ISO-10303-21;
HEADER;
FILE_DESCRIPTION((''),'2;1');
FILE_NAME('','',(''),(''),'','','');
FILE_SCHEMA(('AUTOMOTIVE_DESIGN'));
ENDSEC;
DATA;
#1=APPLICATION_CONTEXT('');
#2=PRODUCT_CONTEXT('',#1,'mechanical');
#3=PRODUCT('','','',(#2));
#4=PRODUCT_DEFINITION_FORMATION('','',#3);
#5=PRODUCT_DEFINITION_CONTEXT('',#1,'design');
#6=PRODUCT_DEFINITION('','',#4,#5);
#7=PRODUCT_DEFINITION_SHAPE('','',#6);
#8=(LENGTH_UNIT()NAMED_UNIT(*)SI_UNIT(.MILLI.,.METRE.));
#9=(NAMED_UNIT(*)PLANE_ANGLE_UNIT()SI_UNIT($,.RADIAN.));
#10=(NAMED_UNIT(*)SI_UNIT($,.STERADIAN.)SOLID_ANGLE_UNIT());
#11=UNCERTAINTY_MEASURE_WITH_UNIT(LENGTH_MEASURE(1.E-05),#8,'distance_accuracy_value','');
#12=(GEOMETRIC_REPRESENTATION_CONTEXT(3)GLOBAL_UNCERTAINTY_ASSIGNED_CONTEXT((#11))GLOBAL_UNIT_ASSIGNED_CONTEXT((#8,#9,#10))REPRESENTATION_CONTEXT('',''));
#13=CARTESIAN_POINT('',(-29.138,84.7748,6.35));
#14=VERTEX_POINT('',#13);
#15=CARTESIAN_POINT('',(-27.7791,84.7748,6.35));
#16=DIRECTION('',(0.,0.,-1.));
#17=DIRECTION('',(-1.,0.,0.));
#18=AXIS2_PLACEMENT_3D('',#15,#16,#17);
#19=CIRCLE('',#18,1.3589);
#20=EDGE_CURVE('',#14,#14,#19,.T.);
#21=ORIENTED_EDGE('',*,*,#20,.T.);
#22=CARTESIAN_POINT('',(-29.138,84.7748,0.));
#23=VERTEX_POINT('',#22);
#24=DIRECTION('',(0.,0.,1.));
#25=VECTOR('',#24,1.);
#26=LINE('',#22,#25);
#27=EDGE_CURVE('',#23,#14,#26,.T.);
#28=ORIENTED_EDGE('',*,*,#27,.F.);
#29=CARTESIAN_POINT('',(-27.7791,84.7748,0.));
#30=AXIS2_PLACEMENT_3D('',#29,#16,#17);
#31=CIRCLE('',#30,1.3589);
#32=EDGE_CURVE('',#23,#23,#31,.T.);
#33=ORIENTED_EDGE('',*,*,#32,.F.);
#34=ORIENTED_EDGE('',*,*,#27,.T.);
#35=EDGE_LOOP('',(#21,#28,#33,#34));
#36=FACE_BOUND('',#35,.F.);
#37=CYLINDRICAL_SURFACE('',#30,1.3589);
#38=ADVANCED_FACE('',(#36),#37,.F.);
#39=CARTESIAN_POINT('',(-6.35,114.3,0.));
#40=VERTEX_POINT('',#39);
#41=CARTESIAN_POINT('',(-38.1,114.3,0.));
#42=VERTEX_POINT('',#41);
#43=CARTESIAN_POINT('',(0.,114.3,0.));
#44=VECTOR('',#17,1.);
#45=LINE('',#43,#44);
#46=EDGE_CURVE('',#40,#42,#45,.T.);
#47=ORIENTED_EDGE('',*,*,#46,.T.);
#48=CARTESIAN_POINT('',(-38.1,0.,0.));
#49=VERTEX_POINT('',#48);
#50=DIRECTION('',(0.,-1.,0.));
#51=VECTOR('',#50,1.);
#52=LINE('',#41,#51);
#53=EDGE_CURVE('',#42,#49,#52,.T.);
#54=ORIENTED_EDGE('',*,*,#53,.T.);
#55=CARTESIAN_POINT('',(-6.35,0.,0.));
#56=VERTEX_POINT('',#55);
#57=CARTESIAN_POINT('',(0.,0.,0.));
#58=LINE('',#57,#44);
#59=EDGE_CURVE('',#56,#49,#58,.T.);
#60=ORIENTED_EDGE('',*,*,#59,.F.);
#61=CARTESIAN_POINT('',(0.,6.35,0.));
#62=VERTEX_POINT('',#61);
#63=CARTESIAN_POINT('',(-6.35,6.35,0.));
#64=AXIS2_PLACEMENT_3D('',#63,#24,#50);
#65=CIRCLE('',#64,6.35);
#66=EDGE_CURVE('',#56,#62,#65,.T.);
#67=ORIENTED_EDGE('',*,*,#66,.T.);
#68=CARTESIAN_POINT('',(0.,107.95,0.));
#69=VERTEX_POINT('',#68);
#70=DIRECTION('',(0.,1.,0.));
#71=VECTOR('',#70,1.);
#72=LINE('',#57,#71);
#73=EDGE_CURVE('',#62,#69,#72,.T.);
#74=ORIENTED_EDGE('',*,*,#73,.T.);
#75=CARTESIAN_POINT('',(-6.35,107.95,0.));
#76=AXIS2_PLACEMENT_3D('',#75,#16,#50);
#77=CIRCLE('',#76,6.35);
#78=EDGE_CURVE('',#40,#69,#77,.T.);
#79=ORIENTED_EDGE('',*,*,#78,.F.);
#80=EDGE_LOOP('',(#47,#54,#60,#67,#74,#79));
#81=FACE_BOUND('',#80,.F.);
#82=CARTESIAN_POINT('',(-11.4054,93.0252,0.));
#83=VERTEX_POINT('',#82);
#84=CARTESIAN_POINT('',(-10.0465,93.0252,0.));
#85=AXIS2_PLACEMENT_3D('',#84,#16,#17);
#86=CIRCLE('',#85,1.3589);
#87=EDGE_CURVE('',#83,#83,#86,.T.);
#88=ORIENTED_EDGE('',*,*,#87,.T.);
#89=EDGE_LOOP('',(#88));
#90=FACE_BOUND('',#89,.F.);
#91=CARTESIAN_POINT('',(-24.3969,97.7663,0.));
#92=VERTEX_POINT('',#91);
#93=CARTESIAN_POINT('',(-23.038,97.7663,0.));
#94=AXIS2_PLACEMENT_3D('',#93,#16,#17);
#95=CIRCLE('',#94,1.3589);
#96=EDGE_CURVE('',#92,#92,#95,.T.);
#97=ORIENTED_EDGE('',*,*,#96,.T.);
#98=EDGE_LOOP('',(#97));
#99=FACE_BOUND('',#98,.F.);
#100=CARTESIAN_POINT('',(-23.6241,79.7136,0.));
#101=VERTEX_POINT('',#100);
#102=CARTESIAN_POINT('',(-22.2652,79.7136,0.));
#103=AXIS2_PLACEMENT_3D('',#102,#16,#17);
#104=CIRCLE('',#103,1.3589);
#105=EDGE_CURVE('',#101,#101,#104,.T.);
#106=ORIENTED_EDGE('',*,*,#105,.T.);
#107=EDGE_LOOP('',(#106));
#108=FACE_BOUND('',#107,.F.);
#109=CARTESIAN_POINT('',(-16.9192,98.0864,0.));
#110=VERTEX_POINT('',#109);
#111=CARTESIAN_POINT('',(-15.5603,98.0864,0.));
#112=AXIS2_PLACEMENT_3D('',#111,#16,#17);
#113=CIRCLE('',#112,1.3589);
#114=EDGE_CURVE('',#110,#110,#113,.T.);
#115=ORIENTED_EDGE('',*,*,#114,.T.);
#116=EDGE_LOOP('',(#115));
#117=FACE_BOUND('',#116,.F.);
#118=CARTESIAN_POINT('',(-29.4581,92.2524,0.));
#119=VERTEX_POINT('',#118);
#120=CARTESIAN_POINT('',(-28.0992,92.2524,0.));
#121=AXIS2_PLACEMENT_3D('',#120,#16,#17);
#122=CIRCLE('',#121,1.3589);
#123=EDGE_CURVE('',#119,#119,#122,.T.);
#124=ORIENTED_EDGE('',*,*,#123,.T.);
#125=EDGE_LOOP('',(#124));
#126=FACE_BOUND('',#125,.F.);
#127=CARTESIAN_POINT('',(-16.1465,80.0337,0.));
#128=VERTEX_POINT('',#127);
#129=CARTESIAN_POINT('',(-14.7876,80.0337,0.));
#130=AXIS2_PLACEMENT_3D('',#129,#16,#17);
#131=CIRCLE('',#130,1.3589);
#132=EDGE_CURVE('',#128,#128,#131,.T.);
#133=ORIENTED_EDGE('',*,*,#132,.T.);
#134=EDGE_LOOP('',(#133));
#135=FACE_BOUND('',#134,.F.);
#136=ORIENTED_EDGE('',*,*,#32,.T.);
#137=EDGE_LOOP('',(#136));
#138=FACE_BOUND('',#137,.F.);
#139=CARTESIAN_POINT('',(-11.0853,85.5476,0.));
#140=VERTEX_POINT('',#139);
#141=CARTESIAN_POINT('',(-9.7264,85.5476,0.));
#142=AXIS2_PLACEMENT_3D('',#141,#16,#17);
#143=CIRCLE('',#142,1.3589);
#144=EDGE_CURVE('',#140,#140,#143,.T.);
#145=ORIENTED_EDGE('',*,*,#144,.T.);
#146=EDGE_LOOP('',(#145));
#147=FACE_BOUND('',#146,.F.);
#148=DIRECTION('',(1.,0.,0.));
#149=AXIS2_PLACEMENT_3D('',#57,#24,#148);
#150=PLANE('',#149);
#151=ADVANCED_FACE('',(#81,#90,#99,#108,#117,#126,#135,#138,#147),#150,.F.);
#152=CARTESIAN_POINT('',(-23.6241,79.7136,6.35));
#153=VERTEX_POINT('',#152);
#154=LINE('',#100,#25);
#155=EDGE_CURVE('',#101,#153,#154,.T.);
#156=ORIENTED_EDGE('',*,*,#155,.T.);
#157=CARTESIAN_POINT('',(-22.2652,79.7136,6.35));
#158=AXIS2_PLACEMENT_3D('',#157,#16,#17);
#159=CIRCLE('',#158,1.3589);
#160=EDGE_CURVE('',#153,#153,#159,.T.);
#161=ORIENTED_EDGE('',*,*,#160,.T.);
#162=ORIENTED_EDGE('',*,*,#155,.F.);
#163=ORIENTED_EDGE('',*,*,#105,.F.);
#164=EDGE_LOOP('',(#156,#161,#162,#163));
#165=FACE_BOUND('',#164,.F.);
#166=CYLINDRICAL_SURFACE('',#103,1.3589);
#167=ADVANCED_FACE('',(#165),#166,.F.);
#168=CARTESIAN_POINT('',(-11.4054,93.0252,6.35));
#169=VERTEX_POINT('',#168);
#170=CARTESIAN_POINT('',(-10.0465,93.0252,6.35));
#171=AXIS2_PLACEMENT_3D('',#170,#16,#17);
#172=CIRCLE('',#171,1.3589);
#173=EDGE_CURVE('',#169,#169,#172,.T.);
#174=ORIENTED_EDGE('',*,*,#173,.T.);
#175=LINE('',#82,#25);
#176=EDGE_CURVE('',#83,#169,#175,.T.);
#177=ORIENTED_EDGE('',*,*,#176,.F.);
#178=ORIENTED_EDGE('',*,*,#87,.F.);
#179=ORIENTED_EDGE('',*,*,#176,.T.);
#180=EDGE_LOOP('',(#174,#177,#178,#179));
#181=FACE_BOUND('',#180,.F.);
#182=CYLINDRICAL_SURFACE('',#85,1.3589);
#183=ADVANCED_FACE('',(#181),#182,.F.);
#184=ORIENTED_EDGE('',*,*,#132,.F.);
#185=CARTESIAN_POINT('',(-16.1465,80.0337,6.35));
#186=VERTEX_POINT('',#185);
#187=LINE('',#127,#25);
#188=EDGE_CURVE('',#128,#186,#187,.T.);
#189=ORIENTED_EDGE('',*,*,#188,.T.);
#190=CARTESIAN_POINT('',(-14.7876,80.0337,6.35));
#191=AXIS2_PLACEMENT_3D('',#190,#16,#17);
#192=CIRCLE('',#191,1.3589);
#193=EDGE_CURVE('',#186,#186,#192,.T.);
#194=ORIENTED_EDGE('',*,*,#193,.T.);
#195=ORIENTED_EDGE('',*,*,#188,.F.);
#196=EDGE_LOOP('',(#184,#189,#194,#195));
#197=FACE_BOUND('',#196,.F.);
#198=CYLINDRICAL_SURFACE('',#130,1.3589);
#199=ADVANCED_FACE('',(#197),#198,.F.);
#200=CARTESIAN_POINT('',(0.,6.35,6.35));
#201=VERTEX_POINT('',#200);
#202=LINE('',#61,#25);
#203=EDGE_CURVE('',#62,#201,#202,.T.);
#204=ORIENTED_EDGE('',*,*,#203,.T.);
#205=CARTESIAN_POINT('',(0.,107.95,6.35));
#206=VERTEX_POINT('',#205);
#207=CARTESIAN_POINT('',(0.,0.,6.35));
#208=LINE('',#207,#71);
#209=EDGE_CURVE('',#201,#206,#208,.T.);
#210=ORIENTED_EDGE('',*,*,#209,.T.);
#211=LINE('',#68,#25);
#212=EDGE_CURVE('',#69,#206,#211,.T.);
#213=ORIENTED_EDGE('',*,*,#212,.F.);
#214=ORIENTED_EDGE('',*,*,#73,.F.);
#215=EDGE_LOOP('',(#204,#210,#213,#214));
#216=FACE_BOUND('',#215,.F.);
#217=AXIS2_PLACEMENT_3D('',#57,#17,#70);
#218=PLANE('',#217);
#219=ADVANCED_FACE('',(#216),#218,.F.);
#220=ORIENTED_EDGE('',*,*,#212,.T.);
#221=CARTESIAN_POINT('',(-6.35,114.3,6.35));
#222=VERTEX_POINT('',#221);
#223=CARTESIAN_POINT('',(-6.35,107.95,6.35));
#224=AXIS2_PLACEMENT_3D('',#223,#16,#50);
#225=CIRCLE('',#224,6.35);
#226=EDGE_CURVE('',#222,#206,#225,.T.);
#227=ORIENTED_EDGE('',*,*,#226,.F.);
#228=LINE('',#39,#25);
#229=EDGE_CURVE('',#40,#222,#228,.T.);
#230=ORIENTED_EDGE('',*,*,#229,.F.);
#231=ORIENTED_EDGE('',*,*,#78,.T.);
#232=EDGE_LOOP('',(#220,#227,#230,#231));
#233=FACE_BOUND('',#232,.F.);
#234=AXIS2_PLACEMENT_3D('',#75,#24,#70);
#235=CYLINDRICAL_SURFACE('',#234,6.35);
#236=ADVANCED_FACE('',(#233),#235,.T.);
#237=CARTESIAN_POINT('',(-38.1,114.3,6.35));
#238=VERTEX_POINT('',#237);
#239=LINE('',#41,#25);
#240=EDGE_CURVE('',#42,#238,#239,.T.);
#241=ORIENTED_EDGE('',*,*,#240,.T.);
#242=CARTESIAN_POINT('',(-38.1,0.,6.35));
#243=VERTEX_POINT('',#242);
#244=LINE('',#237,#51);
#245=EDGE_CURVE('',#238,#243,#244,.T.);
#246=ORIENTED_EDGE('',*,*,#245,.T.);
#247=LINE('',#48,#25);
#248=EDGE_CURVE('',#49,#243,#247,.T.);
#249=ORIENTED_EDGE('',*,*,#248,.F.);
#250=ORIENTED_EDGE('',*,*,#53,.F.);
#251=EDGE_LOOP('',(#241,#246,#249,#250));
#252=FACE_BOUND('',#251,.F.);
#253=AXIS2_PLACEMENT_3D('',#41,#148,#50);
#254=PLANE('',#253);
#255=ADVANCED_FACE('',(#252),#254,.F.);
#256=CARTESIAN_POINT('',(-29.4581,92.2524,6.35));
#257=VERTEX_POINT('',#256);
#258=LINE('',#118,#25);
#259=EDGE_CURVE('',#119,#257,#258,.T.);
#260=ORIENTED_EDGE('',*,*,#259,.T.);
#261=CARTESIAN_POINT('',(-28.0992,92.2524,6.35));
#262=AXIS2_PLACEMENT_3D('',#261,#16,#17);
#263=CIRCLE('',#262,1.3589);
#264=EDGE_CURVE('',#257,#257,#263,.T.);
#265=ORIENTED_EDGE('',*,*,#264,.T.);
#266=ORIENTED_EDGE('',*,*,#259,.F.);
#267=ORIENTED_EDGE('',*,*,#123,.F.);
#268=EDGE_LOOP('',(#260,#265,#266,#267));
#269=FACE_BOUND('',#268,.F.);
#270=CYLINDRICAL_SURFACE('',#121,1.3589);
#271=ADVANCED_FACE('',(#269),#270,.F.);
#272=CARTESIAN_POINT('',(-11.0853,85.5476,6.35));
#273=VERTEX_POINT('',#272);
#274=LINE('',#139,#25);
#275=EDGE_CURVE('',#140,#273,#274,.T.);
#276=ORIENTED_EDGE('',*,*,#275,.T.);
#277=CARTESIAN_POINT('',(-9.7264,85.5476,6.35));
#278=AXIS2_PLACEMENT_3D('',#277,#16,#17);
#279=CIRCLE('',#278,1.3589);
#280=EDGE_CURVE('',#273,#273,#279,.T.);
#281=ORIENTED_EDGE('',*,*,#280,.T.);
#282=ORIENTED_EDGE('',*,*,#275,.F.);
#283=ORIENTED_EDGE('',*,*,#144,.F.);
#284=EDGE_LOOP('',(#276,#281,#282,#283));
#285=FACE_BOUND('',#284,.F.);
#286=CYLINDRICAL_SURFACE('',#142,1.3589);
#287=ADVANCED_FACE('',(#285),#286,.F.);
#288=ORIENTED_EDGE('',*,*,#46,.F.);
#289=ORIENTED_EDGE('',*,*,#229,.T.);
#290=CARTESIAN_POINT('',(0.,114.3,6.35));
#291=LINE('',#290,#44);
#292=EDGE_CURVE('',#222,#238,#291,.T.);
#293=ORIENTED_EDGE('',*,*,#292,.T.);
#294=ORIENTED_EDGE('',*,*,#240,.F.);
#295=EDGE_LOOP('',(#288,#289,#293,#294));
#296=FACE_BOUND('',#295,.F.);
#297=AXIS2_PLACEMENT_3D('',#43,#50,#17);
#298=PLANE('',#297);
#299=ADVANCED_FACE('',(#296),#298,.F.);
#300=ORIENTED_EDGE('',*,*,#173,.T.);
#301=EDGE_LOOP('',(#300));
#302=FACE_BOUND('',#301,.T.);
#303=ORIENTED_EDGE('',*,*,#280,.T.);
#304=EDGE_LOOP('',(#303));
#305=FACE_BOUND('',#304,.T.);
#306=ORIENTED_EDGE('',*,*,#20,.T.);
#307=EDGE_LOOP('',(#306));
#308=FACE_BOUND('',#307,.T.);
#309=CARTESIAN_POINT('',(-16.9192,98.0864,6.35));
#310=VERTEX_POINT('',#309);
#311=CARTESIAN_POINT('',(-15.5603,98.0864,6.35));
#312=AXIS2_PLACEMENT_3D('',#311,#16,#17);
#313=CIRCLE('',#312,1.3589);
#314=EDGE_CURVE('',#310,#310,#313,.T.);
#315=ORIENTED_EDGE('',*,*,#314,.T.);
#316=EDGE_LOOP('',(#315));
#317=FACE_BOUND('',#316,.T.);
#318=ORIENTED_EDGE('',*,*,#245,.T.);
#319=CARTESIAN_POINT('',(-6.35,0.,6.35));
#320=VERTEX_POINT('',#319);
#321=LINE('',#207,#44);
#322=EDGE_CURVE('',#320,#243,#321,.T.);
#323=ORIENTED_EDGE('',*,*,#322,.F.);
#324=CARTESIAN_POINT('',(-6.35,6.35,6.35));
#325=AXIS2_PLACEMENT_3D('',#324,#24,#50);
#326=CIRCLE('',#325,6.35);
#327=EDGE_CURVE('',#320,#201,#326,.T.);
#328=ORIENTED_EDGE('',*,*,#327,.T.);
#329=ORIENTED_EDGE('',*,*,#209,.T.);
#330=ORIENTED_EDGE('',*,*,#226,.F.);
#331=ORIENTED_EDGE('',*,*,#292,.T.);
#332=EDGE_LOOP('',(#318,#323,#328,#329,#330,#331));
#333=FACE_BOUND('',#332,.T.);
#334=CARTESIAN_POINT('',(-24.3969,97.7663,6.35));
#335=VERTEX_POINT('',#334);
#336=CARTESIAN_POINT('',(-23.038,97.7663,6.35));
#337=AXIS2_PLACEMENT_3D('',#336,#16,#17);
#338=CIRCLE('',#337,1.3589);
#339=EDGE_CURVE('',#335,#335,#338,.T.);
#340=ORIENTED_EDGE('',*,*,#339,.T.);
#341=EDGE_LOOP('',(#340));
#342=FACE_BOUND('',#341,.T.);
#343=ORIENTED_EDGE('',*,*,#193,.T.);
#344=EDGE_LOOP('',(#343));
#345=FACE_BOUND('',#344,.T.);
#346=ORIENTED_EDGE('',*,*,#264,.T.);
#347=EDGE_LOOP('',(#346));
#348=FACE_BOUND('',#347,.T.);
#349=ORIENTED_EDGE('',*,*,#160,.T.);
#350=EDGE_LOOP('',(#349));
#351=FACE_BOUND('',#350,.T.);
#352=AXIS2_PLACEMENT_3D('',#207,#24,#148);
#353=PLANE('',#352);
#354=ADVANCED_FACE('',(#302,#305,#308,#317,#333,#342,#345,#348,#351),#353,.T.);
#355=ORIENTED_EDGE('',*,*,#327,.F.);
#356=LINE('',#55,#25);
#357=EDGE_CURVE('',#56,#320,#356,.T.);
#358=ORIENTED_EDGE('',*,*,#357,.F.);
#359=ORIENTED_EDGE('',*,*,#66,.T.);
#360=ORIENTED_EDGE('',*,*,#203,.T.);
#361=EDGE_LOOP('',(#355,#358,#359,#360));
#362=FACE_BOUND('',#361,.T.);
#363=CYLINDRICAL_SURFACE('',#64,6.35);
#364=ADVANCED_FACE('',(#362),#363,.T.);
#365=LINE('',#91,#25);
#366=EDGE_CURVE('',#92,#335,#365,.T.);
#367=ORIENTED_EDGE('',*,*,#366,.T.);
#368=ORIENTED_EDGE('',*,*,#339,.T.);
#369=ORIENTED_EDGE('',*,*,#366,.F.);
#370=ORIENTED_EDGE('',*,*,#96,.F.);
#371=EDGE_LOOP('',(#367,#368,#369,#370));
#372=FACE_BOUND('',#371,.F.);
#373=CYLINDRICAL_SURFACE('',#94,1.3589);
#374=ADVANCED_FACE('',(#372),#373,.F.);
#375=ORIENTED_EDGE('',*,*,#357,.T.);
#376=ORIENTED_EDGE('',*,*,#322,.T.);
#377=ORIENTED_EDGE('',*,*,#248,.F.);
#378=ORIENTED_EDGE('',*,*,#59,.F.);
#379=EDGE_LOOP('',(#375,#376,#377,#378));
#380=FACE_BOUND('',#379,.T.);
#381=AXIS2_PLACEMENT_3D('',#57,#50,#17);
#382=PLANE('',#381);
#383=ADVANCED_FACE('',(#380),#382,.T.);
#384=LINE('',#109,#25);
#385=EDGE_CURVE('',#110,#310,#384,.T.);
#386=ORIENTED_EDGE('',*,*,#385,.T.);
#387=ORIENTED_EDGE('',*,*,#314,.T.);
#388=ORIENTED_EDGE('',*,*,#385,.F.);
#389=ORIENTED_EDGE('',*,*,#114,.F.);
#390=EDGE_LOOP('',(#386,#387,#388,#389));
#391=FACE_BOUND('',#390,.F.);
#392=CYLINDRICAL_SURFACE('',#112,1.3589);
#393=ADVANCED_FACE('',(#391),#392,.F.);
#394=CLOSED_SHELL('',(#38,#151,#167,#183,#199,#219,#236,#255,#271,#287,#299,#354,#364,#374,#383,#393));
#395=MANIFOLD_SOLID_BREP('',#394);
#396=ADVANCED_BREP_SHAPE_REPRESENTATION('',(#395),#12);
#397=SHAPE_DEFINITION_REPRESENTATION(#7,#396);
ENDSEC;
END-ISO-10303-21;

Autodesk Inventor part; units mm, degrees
ref_plane "YZ Plane" through (0, 0, 0) normal (1, 0, 0) x (0, 1, 0)
ref_plane "XZ Plane" through (0, 0, 0) normal (0, 1, 0) x (-1, 0, 0)
ref_plane "XY Plane" through (0, 0, 0) normal (0, 0, 1) x (1, 0, 0)
sketch "Sketch1" plane through (0, 0, 0) normal (0, 0, 1) x (1, 0, 0)
  line L0 (0, 0) -> (0, 114.3)
  line L1 (0, 0) -> (53.8815, 0) construction
  line L2 (0, 114.3) -> (76.2, 114.3) construction
  line L3 (0, 114.3) -> (-38.1, 114.3)
  line L4 (-38.1, 114.3) -> (-38.1, 0)
  line L5 (0, 0) -> (-38.1, 0)
  dimension "d0" = 114.3
  dimension "d86" = 38.1
extrude "Extrusion1" add sketch "Sketch1" along normal blind 6.35
fillet "Fillet1" radius 6.35 2 edges at (0, 114.3, 3.175) (0, 0, 3.175)
sketch "Sketch8" plane through (0, 0, 0) normal (0, 0, -1) x (-1, 0, 0)
  circle A0 centre (18.9128, 88.9) radius 2.54
  circle A1 centre (10.0465, 93.0252) radius 1.3589
  circle A2 centre (9.7264, 85.5476) radius 1.3589
  circle A3 centre (14.7876, 80.0337) radius 1.3589
  circle A4 centre (22.2652, 79.7136) radius 1.3589
  circle A5 centre (27.7791, 84.7748) radius 1.3589
  circle A6 centre (28.0992, 92.2524) radius 1.3589
  circle A7 centre (23.038, 97.7663) radius 1.3589
  circle A8 centre (15.5603, 98.0864) radius 1.3589
  line L0 (38.1, 0) -> (6.35, 0) projected
  point P0 (0, 0)
  dimension "d60" = 5.08
  dimension "d61" = 2.7178
  dimension "d62" = 9.779
  dimension "d65" = 360
  dimension "d87" = 88.9
extrude "Extrusion7" cut sketch "Sketch8" against normal blind 25.4 contours A1 | A2 | A3 | A4 | A5 | A6 | A7 | A8
sketch "Sketch9" plane through (0, 0, 6.35) normal (0, 0, 1) x (1, 0, 0)
  circle A0 centre (-23.038, 97.7663) radius 1.3589 projected
  circle A1 centre (-14.7876, 80.0337) radius 1.3589 projected
  circle A2 centre (-27.7791, 84.7748) radius 1.3589 projected
  point P0 (0, 0)
  point P1 (-23.2077, 93.1949)
  dimension "d69" = 16.8402
  dimension "d70" = 8.4201
  dimension "d71" = 8.4201
equation "\"d70\" = 0.5 * d69"
equation "\"d71\" = d70"
properties part number "Triangle axle slide connector"
